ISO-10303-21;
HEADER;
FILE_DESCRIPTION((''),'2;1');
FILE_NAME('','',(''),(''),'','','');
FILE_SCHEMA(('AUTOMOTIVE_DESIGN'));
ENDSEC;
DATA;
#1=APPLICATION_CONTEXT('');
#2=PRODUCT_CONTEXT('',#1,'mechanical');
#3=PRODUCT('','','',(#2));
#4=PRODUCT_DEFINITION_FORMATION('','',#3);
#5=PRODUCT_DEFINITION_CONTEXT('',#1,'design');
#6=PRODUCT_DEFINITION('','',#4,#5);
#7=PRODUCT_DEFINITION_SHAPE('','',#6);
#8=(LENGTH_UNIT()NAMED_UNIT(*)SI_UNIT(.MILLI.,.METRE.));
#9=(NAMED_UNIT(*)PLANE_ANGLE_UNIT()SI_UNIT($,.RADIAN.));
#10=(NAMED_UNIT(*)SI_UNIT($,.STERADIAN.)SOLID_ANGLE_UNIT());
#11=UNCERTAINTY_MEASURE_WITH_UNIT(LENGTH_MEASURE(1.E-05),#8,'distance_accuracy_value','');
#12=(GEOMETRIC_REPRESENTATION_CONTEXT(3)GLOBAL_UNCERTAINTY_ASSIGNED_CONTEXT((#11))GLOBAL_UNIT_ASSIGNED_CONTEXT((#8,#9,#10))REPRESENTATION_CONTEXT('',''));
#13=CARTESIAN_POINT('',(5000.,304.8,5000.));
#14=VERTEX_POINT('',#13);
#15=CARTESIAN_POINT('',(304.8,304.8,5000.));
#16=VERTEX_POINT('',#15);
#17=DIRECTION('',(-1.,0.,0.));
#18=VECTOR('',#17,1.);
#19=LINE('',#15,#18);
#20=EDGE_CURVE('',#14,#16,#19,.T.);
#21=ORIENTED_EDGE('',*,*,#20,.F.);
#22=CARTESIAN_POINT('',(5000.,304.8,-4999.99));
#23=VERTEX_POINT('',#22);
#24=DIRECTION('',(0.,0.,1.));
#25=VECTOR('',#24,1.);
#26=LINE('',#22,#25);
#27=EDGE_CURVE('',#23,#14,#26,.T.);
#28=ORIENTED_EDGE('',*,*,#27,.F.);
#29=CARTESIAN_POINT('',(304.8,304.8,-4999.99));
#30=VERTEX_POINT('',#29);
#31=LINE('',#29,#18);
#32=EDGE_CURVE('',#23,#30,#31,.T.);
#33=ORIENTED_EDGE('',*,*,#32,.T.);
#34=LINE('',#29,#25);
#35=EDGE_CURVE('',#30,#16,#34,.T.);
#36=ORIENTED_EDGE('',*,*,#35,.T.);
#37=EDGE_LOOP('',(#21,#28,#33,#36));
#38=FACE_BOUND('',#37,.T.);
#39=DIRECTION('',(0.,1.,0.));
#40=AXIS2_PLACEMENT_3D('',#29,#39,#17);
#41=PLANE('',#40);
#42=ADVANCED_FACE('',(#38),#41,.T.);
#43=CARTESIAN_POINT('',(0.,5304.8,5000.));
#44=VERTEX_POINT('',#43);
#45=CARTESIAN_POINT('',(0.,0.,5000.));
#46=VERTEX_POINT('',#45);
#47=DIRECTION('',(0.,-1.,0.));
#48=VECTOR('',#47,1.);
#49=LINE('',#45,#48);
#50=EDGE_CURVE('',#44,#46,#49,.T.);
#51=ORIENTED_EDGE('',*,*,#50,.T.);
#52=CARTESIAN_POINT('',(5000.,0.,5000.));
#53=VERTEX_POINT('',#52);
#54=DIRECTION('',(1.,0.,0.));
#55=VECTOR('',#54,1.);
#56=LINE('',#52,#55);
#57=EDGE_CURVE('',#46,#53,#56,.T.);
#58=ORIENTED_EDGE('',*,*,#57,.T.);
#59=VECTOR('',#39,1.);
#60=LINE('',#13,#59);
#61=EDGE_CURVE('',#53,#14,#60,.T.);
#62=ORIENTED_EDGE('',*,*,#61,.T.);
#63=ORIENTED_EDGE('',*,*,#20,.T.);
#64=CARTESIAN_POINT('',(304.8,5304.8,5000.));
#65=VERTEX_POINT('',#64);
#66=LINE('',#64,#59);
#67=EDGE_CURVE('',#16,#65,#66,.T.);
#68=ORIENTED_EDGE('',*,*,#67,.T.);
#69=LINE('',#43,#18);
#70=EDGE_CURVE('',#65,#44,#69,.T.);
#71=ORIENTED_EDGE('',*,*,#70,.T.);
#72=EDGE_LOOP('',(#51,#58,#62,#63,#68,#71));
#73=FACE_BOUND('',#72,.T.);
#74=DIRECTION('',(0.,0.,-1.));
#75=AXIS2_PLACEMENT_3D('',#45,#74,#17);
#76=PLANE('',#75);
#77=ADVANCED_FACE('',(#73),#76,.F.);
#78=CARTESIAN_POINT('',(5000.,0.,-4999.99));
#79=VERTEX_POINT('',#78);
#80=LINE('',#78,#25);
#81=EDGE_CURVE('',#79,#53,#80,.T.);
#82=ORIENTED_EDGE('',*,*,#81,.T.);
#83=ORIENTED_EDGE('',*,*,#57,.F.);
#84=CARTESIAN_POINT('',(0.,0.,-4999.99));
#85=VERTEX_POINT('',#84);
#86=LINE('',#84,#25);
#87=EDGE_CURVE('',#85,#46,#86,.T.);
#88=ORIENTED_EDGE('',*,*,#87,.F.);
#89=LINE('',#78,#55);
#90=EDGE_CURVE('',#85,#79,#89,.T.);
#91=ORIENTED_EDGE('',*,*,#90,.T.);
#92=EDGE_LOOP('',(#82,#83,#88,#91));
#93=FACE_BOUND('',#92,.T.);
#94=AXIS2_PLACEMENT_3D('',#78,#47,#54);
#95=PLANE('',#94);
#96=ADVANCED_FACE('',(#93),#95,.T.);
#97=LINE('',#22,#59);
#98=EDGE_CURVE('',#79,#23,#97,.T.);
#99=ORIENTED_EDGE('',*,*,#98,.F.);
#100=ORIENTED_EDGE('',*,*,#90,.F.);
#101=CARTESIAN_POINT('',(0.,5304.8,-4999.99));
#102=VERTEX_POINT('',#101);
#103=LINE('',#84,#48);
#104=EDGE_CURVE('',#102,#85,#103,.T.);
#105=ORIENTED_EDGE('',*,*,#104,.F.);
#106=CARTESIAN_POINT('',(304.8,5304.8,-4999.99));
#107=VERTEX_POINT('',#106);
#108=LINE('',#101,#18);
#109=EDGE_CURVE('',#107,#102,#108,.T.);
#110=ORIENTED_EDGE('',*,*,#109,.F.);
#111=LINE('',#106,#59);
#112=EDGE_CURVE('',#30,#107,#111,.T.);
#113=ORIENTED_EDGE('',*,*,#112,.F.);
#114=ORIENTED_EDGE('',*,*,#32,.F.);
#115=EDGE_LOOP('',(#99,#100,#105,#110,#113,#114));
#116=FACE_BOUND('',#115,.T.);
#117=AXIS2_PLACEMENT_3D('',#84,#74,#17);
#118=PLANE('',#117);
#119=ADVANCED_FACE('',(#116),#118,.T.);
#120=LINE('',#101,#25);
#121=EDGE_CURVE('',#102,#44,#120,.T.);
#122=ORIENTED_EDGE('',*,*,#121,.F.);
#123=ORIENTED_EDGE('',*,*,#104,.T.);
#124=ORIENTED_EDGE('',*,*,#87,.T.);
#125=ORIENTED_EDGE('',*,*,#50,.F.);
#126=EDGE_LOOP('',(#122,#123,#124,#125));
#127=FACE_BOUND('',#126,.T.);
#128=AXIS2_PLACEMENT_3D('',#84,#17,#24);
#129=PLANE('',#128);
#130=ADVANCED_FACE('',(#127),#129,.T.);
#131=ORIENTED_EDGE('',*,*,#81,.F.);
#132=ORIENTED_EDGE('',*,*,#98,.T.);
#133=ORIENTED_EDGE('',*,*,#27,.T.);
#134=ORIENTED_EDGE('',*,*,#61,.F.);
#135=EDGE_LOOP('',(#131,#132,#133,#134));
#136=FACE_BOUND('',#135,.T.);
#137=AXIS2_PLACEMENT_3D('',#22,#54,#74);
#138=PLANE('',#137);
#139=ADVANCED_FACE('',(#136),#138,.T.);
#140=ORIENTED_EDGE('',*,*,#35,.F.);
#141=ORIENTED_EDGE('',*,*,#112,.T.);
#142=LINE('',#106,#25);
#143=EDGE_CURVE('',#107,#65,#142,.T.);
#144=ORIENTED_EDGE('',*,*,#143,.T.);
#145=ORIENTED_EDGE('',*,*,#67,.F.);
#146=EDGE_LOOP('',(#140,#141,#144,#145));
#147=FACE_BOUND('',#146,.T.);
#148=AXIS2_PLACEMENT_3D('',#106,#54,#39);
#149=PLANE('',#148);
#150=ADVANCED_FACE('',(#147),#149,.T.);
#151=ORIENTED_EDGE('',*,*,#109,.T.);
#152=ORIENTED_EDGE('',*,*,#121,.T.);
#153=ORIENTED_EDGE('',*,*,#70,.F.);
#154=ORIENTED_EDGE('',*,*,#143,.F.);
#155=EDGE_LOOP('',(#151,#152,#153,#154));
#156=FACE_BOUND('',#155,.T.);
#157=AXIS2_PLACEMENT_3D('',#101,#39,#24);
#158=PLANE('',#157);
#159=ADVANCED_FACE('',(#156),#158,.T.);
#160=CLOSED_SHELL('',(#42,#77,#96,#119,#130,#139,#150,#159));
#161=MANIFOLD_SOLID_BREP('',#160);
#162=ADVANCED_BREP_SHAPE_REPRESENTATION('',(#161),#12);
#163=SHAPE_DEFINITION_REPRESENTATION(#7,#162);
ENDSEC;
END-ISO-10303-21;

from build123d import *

# Parameters (mm, degrees)
BOSS_EXTRUDE1_DEPTH      = 4999.99999998
BOSS_EXTRUDE1_DEPTH_BACK = 4999.99


with BuildPart() as part:
    # wall → Boss-Extrude1 (new body, two sides)
    with BuildSketch(Plane.XY) as boss_extrude1_sk:
        Polygon((0, 0), (0, 5304.79999998), (304.8, 5304.79999998), (304.8, 304.8), (4999.99999998, 304.8), (4999.99999998, 0), align=None)
    extrude(amount=BOSS_EXTRUDE1_DEPTH)
    extrude(boss_extrude1_sk.sketch, amount=-BOSS_EXTRUDE1_DEPTH_BACK)


solid = part.part
